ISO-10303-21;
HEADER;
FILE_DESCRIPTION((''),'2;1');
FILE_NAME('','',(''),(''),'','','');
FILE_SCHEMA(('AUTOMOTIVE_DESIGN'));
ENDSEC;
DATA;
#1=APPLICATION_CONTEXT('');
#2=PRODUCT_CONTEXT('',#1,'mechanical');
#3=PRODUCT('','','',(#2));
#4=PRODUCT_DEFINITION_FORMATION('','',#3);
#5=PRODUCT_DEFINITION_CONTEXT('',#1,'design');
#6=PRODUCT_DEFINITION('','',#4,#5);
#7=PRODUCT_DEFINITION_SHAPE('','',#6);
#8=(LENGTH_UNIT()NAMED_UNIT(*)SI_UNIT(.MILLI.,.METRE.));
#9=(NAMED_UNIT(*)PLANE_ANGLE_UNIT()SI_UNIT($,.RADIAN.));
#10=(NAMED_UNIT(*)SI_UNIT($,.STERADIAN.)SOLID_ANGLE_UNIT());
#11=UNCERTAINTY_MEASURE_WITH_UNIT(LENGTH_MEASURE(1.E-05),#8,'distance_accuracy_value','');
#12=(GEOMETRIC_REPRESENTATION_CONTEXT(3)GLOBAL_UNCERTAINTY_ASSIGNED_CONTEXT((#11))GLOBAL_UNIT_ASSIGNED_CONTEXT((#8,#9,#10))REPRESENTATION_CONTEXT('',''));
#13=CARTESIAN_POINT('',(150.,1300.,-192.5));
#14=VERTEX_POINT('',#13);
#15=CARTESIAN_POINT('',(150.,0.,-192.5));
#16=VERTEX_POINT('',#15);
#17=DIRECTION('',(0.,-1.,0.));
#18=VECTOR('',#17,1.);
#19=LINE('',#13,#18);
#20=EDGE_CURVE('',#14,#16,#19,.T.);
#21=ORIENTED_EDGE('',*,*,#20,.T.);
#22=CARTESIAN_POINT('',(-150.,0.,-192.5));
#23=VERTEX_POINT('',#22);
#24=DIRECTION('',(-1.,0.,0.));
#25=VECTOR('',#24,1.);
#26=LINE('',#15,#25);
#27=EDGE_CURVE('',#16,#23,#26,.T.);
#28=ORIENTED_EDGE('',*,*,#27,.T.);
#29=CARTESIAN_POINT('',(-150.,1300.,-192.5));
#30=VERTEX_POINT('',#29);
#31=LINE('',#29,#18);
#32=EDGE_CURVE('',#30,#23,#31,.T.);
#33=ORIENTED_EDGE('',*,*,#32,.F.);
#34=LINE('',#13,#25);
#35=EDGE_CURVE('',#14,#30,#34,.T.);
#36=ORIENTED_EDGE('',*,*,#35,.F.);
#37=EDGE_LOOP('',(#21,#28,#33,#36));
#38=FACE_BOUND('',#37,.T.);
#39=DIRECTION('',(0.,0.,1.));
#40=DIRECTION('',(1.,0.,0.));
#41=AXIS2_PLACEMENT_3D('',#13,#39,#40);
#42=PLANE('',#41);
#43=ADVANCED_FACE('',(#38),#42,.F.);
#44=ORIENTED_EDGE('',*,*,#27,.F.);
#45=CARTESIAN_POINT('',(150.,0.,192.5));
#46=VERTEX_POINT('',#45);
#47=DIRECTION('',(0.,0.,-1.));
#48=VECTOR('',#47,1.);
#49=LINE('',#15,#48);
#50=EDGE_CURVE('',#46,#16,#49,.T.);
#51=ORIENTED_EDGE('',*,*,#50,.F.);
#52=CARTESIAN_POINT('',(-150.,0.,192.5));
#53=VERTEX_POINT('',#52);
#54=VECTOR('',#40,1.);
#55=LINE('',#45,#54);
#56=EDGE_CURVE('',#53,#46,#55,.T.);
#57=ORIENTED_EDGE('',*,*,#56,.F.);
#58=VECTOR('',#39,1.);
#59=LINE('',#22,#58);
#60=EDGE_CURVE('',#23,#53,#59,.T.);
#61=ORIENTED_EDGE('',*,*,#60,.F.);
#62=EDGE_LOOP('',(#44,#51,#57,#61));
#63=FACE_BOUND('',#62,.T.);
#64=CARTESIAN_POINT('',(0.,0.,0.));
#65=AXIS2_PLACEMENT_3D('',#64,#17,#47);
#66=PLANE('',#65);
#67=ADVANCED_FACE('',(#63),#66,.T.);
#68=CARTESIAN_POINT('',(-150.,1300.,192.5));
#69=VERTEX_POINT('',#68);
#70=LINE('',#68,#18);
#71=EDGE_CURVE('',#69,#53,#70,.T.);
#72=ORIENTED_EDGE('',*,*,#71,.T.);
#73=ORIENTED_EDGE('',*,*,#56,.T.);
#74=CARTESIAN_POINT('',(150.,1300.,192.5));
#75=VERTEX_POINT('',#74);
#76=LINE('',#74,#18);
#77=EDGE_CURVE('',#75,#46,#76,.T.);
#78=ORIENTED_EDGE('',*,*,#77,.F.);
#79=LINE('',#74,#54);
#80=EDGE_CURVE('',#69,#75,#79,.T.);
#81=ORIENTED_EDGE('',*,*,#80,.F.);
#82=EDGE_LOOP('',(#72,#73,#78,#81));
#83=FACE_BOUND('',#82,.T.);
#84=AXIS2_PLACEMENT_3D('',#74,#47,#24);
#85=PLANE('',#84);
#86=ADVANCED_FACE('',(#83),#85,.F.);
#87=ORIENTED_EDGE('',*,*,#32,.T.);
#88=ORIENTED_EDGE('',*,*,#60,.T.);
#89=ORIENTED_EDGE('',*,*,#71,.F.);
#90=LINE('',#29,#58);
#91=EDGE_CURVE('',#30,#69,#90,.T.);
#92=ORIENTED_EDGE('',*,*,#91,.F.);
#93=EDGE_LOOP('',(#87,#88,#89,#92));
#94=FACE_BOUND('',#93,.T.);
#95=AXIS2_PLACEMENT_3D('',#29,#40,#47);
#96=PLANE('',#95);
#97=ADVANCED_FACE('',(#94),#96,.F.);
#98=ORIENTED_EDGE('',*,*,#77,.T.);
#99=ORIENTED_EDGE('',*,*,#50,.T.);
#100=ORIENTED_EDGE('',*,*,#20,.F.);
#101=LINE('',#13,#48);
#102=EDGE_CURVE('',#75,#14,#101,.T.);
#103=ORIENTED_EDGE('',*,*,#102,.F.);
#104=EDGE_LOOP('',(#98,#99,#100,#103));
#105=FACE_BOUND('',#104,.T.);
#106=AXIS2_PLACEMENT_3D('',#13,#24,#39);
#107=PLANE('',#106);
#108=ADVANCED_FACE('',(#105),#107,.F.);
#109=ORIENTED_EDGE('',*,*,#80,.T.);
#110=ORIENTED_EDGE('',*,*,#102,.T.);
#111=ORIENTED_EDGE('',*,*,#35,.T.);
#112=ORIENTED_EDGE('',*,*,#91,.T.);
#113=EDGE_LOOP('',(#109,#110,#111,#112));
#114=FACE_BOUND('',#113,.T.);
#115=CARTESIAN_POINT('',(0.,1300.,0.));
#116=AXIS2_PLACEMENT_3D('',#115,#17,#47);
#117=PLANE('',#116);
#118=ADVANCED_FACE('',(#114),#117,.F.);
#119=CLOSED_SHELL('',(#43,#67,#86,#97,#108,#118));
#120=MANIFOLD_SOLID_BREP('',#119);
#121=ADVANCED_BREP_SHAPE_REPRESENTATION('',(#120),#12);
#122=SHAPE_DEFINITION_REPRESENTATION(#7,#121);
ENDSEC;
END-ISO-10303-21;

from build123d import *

# Parameters (mm, degrees)
CROQUIS1_W              = 300
CROQUIS1_H              = 385
SALIENTE_EXTRUIR1_DEPTH = 1300


with BuildPart() as part:
    # Croquis1 → Saliente-Extruir1 (new body)
    with BuildSketch(Plane(origin=(0, 0, 0), x_dir=(1, 0, 0), z_dir=(0, 1, 0))):
        Rectangle(CROQUIS1_W, CROQUIS1_H)
    extrude(amount=SALIENTE_EXTRUIR1_DEPTH)


solid = part.part
